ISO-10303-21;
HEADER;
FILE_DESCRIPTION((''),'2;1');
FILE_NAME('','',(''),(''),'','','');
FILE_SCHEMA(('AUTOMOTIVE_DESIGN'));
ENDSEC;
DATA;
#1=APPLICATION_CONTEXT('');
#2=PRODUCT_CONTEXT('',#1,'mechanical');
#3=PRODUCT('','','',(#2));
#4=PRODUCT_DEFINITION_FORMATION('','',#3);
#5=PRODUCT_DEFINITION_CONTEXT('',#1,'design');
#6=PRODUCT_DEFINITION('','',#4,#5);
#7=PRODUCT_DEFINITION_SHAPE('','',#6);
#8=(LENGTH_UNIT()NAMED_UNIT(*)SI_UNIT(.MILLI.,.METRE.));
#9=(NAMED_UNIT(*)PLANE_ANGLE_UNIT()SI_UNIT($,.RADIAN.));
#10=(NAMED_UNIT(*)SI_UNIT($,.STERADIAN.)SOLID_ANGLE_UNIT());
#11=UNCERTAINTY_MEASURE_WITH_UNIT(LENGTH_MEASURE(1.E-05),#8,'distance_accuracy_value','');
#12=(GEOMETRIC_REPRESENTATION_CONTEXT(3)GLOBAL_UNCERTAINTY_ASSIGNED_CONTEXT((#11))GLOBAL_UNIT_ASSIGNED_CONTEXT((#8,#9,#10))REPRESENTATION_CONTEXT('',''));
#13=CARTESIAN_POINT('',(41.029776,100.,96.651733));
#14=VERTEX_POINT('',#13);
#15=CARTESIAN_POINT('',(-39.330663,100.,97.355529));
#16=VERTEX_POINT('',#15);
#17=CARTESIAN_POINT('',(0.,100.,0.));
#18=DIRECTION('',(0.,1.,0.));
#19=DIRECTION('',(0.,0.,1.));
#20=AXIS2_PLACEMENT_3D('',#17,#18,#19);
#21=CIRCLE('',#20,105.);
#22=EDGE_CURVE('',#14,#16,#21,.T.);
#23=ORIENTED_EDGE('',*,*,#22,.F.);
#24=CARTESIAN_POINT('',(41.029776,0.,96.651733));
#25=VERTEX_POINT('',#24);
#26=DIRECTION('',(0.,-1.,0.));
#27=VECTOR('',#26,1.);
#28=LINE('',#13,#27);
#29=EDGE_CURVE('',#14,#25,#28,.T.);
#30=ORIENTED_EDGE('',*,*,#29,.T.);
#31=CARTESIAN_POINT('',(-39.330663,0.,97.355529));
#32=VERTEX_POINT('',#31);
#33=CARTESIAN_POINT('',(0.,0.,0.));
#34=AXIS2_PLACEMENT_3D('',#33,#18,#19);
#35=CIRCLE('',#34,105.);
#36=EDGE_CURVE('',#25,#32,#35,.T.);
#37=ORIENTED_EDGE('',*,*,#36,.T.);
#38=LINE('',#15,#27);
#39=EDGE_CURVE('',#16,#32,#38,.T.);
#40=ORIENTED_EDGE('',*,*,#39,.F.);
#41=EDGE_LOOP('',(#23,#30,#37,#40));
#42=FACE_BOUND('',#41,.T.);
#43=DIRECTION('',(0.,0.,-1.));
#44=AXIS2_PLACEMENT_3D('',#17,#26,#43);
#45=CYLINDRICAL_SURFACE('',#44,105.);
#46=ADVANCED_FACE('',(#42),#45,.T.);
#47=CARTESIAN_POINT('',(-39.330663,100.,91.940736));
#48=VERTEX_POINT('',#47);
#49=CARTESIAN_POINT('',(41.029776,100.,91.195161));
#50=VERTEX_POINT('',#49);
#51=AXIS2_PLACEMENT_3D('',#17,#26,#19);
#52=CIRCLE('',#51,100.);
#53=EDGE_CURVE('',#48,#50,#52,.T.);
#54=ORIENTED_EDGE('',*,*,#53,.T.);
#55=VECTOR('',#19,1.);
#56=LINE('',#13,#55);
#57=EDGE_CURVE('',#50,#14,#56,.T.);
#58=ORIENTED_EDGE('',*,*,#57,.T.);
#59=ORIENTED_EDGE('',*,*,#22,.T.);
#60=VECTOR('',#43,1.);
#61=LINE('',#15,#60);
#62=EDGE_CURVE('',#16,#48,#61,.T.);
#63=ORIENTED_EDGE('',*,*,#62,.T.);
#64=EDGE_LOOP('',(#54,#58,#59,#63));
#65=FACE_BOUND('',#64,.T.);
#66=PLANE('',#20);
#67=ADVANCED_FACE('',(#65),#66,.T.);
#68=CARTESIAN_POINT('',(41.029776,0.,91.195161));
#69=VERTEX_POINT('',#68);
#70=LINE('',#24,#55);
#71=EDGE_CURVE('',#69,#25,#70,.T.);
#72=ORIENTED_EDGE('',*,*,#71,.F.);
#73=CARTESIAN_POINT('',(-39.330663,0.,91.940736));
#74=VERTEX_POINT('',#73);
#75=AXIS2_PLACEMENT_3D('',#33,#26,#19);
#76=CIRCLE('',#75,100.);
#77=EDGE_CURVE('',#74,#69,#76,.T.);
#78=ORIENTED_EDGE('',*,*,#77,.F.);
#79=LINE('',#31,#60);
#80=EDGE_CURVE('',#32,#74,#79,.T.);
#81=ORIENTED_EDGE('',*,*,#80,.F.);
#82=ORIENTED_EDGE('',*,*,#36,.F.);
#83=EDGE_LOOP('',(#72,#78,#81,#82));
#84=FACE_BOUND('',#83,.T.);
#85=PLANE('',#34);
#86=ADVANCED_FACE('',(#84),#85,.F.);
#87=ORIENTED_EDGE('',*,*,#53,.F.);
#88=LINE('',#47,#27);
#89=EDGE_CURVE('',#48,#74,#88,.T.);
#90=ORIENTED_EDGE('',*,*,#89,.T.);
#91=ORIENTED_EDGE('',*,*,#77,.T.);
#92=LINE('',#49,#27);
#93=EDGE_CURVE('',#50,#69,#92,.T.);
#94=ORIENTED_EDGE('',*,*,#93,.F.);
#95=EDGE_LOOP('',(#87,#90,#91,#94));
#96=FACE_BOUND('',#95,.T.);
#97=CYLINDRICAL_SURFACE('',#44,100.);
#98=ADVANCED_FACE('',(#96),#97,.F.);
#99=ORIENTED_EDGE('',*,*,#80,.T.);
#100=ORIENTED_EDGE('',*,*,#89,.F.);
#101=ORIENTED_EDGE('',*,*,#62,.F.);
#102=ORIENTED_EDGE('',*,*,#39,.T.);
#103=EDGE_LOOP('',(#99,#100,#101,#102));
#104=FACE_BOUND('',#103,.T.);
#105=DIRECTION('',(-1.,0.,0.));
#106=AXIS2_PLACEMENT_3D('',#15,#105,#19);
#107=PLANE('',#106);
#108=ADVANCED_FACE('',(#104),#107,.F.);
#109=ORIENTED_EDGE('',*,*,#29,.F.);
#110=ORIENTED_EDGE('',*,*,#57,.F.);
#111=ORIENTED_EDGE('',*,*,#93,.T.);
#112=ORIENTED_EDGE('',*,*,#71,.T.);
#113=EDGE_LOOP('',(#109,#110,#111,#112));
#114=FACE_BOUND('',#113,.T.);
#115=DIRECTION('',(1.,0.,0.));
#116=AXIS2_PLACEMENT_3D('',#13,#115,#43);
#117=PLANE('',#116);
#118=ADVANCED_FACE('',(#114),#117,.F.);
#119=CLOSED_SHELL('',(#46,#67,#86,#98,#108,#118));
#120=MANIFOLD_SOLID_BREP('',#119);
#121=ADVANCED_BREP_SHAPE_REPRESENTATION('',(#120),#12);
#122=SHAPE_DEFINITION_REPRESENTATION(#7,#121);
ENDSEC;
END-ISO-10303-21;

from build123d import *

# Parameters (mm, degrees)
BOSS_EXTRUDE1_DEPTH = 100


with BuildPart() as part:
    # Sketch1 → Boss-Extrude1 (new body)
    with BuildSketch(Plane(origin=(0, 0, 0), x_dir=(1, 0, 0), z_dir=(0, 1, 0))):
        with BuildLine():
            Line((-39.330662506, -97.355528795), (-39.330662506, -91.940736275))
            ThreePointArc((-39.330662506, -91.940736275), (-0.927748641, 99.99569632), (41.02977643, -91.195161308))
            Line((41.02977643, -91.195161308), (41.02977643, -96.651732763))
            ThreePointArc((41.02977643, -96.651732763), (-0.91955383, 104.995973355), (-39.330662506, -97.355528795))
        make_face()
    extrude(amount=BOSS_EXTRUDE1_DEPTH)


solid = part.part
